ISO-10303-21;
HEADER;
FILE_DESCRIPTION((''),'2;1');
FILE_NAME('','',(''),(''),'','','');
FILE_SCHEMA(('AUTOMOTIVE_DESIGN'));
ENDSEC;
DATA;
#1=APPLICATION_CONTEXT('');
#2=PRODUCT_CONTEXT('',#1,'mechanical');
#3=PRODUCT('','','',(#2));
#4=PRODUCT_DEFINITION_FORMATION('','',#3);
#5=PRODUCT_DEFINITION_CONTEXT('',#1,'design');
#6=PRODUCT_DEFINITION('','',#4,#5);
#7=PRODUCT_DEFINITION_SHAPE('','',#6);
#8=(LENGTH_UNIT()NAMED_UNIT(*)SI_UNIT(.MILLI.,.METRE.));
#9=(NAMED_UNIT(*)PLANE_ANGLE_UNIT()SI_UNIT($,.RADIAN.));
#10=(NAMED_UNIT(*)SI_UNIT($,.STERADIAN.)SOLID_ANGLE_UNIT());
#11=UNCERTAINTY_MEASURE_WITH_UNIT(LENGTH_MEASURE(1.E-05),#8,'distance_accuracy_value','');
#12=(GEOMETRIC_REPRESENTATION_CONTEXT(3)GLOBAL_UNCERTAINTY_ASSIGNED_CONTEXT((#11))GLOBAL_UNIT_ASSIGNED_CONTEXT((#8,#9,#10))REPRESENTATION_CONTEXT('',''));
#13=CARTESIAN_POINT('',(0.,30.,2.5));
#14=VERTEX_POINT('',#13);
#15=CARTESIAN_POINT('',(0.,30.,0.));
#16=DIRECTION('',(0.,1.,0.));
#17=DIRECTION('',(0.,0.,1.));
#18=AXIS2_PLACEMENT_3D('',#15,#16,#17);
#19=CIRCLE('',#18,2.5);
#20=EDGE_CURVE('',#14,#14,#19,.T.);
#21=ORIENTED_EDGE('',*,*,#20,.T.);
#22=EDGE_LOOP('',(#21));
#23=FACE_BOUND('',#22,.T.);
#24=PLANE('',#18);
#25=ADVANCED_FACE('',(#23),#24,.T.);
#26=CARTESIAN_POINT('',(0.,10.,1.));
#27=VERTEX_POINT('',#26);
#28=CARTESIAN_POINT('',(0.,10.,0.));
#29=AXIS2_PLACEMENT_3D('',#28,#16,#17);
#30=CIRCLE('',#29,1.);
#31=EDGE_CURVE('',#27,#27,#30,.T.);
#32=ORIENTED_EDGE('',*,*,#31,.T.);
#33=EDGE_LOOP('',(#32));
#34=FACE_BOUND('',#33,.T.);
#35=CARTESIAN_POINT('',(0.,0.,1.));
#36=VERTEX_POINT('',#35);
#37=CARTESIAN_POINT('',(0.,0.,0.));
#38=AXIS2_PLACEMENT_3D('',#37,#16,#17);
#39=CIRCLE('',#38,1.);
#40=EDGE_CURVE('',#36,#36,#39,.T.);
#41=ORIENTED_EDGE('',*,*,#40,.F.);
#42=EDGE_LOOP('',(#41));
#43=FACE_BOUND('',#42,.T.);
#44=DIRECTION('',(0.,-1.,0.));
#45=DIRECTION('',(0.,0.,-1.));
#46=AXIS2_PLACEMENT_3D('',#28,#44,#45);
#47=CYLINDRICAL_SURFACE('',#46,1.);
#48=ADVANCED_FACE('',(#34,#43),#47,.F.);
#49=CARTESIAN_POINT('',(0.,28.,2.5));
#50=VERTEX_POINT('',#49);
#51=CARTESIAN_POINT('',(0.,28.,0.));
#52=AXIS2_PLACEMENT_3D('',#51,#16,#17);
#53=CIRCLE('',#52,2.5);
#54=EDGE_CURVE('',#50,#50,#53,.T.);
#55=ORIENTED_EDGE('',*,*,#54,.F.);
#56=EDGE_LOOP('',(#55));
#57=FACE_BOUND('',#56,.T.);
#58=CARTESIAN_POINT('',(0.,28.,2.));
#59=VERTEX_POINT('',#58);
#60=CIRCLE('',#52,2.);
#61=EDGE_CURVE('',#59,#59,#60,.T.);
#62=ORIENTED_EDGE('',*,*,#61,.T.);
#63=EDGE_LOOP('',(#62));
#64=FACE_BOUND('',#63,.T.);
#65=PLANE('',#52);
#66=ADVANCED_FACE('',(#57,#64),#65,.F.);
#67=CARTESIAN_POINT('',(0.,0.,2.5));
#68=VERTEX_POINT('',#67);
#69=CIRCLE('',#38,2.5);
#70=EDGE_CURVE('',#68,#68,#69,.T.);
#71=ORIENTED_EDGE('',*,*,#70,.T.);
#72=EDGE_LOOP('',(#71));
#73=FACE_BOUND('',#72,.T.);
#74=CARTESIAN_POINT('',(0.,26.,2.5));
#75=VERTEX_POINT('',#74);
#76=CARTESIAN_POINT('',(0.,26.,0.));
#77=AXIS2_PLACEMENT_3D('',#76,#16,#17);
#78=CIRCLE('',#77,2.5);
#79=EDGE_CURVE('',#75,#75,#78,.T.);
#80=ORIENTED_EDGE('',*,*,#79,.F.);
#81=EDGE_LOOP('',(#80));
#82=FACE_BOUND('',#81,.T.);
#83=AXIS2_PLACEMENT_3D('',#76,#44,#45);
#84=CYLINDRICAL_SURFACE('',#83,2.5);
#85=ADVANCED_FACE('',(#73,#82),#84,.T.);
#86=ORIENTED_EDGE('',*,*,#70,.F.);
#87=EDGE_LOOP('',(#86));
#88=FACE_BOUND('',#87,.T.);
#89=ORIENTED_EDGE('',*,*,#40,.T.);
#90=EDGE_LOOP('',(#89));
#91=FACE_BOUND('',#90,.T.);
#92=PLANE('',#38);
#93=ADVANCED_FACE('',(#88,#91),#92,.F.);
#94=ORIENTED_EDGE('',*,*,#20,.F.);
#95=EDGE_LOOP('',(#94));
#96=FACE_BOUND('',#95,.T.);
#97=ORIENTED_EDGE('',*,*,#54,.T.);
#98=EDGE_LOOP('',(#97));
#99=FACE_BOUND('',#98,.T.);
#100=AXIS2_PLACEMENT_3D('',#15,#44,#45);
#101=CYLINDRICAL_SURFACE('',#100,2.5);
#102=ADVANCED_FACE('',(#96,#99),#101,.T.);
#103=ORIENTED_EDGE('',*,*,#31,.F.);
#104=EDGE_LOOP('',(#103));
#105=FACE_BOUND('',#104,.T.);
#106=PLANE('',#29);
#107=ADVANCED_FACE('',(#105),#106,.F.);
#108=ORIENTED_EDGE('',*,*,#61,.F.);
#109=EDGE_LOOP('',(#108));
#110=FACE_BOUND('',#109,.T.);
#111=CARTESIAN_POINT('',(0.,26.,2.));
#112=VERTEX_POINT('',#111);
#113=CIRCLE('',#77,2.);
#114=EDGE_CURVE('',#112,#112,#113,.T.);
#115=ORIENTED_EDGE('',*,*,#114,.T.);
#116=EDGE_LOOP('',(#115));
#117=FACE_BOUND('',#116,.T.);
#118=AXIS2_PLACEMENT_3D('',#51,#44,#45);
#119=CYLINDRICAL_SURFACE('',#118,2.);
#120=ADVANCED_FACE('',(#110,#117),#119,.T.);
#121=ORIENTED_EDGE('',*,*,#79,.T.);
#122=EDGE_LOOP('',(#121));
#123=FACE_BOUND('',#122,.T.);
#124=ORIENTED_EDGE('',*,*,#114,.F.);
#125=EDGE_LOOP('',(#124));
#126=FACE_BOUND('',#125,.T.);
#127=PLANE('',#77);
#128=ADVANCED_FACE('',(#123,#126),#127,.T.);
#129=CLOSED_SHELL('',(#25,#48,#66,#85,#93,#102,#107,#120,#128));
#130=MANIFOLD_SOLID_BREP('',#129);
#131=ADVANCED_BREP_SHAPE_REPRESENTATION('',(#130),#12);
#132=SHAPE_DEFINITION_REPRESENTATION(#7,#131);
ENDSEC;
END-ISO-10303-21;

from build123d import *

# Parameters (mm, degrees)
SKETCH1_R           = 2.5
BOSS_EXTRUDE1_DEPTH = 26
SKETCH1_5_R         = 1
CUT_EXTRUDE1_DEPTH  = 10
SKETCH3_R           = 2
BOSS_EXTRUDE2_DEPTH = 2
SKETCH4_R           = 2.5
BOSS_EXTRUDE3_DEPTH = 2


with BuildPart() as part:
    # Sketch1 → Boss-Extrude1 (new body)
    with BuildSketch(Plane(origin=(0, 0, 0), x_dir=(1, 0, 0), z_dir=(0, 1, 0))):
        Circle(SKETCH1_R)
    extrude(amount=BOSS_EXTRUDE1_DEPTH)

    # Sketch1<5> → Cut-Extrude1 (cut)
    with BuildSketch(Plane(origin=(0, 0, 0), x_dir=(1, 0, 0), z_dir=(0, 1, 0))):
        Circle(SKETCH1_5_R)
    extrude(amount=CUT_EXTRUDE1_DEPTH, mode=Mode.SUBTRACT)

    # Sketch3 → Boss-Extrude2 (add)
    with BuildSketch(Plane(origin=(0, 26, 0), x_dir=(1, 0, 0), z_dir=(0, 1, 0))):
        Circle(SKETCH3_R)
    extrude(amount=BOSS_EXTRUDE2_DEPTH)

    # Sketch4 → Boss-Extrude3 (add)
    with BuildSketch(Plane(origin=(0, 28, 0), x_dir=(1, 0, 0), z_dir=(0, 1, 0))):
        Circle(SKETCH4_R)
    extrude(amount=BOSS_EXTRUDE3_DEPTH)


solid = part.part
